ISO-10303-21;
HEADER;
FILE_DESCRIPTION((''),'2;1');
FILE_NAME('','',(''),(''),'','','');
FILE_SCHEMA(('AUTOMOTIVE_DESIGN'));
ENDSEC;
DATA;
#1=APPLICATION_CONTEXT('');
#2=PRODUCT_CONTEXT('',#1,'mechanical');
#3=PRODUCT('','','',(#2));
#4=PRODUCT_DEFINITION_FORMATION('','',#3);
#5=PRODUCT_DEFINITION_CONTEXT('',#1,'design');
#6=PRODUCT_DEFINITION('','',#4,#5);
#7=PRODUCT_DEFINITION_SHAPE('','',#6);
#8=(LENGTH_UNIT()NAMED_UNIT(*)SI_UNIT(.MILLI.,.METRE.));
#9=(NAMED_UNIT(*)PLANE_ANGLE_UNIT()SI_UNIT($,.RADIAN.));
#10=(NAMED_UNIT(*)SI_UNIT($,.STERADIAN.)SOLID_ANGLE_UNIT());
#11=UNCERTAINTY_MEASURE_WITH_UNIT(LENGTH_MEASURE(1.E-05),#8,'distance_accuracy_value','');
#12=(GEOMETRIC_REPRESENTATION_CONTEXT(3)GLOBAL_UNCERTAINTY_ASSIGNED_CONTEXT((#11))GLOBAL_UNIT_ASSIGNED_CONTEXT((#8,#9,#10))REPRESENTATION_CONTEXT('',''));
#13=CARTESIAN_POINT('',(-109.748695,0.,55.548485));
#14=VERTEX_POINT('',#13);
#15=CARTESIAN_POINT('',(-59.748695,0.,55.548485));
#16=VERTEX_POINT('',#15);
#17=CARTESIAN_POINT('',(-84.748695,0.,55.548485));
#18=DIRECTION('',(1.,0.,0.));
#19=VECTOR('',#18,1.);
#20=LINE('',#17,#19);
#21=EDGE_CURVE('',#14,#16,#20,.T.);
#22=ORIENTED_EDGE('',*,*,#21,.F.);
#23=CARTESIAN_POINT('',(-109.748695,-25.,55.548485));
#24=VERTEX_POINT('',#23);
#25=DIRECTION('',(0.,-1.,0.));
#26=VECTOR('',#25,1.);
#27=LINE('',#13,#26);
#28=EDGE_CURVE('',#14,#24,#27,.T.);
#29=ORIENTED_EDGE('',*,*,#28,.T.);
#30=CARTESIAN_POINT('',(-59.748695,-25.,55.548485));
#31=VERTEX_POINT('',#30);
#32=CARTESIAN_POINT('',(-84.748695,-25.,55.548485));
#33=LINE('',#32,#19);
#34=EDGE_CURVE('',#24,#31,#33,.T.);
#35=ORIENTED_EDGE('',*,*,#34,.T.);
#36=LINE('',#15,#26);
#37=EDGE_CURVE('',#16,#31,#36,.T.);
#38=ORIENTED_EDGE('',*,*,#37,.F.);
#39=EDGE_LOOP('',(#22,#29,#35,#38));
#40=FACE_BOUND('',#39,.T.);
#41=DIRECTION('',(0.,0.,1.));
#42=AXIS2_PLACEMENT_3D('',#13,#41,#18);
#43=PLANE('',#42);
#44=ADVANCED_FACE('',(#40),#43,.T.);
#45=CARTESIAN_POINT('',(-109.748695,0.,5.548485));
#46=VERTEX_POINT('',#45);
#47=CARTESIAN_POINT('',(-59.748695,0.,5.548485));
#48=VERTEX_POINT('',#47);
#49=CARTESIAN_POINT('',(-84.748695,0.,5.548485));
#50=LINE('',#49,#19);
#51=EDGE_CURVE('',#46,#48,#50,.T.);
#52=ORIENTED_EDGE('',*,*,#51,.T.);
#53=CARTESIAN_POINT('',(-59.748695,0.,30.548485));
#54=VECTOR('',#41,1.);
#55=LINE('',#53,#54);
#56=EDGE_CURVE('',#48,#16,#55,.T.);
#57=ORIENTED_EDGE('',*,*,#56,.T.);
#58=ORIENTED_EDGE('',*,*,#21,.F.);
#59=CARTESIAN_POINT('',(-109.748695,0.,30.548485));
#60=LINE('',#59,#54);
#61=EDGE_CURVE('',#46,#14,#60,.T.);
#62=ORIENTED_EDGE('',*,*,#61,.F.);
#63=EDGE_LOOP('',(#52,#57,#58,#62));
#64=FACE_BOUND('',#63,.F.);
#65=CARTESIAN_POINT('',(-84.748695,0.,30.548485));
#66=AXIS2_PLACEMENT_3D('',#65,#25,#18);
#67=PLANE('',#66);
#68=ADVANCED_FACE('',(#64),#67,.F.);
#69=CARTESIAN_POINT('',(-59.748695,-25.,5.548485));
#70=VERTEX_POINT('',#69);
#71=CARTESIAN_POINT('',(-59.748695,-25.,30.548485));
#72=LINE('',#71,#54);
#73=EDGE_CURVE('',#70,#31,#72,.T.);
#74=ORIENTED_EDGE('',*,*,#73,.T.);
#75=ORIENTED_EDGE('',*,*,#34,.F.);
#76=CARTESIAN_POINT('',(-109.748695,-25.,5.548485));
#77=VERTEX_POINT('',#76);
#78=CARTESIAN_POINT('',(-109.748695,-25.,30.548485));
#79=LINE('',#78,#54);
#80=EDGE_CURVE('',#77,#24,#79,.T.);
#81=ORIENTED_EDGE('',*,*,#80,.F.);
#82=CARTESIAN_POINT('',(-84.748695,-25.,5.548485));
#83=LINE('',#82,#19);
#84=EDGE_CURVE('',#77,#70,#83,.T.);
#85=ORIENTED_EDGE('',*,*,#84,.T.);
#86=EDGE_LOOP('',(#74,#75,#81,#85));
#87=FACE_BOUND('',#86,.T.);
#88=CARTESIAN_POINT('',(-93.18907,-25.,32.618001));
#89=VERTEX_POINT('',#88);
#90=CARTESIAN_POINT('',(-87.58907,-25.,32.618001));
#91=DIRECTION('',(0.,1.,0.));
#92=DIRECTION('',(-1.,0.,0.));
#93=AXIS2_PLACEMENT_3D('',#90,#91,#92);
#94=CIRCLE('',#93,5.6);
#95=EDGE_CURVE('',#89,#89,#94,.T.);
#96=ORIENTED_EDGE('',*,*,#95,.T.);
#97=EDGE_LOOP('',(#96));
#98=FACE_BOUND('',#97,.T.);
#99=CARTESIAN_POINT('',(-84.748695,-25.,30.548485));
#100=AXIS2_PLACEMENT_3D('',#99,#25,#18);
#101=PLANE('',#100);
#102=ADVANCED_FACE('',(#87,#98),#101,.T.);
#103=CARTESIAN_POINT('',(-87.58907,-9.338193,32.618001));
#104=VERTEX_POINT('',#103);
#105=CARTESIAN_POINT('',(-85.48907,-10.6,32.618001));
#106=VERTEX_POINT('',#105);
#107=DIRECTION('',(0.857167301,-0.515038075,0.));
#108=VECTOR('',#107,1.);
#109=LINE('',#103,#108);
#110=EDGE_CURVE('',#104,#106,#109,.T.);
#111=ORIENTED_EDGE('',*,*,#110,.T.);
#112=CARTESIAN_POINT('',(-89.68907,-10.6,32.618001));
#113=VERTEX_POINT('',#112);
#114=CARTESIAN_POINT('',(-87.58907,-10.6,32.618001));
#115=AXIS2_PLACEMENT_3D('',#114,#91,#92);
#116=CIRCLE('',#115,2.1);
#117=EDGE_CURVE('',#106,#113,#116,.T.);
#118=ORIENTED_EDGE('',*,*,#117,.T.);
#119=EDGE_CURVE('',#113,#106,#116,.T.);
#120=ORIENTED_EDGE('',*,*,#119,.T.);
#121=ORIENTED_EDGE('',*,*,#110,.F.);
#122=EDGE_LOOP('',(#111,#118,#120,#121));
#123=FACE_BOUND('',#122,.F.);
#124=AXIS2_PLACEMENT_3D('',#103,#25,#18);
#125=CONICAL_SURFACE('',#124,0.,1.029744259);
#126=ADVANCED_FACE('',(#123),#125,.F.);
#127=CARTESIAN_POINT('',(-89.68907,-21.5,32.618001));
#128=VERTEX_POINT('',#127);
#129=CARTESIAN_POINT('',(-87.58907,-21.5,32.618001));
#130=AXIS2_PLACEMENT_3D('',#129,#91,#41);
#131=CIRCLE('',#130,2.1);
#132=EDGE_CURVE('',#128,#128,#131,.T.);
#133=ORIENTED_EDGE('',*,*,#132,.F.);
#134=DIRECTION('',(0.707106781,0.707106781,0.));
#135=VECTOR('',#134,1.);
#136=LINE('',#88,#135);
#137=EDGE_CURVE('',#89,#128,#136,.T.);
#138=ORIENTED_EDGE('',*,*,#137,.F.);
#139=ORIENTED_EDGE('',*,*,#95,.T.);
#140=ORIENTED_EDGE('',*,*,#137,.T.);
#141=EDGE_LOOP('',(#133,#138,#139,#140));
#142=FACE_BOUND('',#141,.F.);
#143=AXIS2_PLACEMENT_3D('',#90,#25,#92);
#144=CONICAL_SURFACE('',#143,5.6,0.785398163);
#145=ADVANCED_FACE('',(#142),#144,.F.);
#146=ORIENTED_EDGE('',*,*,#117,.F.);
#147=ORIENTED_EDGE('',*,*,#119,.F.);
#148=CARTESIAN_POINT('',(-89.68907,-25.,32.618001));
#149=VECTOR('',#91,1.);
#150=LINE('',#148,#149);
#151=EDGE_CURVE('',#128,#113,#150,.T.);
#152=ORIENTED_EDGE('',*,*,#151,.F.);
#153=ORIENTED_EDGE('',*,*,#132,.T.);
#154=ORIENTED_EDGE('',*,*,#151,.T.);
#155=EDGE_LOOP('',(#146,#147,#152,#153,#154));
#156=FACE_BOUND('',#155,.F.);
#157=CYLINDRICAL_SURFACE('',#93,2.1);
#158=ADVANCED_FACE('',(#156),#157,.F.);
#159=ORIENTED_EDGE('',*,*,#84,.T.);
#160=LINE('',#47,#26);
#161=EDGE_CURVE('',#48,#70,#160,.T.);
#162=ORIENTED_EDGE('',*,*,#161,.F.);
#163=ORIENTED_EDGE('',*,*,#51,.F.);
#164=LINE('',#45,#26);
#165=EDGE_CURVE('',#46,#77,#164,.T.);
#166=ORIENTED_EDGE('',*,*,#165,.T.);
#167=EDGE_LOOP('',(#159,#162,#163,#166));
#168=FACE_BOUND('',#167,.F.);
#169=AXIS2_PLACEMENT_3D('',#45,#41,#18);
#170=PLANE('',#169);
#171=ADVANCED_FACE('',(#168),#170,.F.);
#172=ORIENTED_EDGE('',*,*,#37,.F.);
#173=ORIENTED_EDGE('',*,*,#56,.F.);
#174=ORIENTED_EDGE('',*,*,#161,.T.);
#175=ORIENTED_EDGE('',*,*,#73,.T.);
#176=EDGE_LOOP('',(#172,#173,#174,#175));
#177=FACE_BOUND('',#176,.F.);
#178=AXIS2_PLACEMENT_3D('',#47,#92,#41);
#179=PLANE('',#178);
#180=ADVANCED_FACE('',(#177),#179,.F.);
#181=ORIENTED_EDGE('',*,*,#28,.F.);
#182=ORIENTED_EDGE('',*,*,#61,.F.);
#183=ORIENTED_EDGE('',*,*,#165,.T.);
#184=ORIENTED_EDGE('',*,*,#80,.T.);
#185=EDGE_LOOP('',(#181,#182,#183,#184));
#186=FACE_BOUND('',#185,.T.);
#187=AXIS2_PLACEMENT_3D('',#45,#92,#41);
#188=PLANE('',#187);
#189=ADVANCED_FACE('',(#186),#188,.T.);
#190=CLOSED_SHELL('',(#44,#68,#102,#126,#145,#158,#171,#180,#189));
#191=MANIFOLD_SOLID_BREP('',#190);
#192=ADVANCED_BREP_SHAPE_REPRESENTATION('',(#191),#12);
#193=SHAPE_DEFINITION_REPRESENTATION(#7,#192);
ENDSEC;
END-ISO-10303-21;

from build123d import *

# Parameters (mm, degrees)
F0_W           = 50
F0_H           = 50
F1_DEPTH       = 25
F3_D           = 4.2
F3_DEPTH       = 14.4
F3_CSINK_D     = 11.2
F3_CSINK_ANGLE = 90
F3_TIP         = 1.2618073


with BuildPart() as f1:
    # F0 (on Front) → F1 (new body)
    with BuildSketch(Plane.XZ):
        with Locations((-84.7486946732, 30.5484851895)):
            Rectangle(F0_W, F0_H)
    extrude(amount=F1_DEPTH)

    # F3
    with Locations(Plane.XZ.offset(25)):
        with Locations((-87.5890702009, 32.6180011034)):
            CounterSinkHole(F3_D / 2, F3_CSINK_D / 2, depth=F3_DEPTH, counter_sink_angle=F3_CSINK_ANGLE)
            with Locations((0, 0, -(F3_DEPTH + F3_TIP / 2))):  # 118° drill point
                Cone(0, F3_D / 2, F3_TIP, mode=Mode.SUBTRACT)


solid = f1.part
